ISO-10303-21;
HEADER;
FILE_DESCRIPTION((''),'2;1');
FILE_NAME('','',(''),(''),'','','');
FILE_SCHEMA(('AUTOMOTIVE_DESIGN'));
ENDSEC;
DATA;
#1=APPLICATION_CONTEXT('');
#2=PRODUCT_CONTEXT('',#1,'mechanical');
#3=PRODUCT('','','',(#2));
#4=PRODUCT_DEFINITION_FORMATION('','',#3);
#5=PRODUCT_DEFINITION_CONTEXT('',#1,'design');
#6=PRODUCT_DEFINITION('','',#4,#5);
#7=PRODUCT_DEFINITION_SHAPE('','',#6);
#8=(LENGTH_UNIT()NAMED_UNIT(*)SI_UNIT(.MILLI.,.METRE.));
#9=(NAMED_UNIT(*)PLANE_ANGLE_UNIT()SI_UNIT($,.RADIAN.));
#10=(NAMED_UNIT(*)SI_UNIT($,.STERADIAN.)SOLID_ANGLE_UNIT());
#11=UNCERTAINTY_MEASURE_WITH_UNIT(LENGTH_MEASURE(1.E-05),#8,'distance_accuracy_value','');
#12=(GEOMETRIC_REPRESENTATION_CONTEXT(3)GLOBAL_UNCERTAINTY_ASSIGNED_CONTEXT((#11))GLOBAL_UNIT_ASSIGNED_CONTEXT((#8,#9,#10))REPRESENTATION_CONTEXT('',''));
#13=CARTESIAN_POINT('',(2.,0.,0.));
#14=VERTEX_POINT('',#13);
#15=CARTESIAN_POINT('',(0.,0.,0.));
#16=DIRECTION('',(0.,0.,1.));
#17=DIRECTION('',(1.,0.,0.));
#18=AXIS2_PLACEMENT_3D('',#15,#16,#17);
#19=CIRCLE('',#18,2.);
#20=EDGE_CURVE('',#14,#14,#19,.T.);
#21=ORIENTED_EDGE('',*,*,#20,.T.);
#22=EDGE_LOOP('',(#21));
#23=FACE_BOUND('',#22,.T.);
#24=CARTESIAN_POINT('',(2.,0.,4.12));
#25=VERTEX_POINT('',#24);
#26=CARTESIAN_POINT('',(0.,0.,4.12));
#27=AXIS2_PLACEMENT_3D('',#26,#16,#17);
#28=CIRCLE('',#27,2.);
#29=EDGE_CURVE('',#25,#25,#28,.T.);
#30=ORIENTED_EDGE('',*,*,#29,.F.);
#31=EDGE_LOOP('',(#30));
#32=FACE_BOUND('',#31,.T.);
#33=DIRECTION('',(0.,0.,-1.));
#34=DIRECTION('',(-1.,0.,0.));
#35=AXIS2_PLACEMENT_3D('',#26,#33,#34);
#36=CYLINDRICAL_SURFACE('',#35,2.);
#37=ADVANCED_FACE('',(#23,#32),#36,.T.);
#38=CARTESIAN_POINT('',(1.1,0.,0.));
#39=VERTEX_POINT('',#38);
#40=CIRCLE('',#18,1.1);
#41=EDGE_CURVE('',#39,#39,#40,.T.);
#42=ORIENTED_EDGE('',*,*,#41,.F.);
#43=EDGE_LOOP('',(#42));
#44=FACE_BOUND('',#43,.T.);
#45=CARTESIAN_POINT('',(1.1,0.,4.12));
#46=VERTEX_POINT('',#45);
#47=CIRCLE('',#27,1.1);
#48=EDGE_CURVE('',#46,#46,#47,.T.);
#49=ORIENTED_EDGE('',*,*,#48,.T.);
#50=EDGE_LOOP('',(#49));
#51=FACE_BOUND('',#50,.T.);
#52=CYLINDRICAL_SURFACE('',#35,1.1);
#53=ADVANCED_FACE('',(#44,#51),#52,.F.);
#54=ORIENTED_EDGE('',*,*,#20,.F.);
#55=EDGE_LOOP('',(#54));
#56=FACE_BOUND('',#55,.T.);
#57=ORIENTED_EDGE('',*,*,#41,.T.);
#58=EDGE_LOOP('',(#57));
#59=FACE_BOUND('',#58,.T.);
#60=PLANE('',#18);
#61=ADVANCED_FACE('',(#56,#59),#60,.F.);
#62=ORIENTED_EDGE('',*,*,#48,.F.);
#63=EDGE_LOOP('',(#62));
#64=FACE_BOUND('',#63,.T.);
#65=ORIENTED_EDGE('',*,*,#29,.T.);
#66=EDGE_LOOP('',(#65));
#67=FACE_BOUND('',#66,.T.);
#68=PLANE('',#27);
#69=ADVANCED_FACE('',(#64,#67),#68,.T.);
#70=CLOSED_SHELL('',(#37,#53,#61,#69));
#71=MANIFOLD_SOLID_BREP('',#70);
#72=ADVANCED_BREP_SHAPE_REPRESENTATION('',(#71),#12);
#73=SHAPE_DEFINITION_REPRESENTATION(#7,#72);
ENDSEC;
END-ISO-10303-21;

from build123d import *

# Parameters (mm, degrees)
SKETCH1_R           = 2
SKETCH1_R_2         = 1.1
BOSS_EXTRUDE1_DEPTH = 4.12


with BuildPart() as part:
    # Sketch1 → Boss-Extrude1 (new body)
    with BuildSketch(Plane.XY):
        Circle(SKETCH1_R)
        Circle(SKETCH1_R_2, mode=Mode.SUBTRACT)
    extrude(amount=BOSS_EXTRUDE1_DEPTH)


solid = part.part
